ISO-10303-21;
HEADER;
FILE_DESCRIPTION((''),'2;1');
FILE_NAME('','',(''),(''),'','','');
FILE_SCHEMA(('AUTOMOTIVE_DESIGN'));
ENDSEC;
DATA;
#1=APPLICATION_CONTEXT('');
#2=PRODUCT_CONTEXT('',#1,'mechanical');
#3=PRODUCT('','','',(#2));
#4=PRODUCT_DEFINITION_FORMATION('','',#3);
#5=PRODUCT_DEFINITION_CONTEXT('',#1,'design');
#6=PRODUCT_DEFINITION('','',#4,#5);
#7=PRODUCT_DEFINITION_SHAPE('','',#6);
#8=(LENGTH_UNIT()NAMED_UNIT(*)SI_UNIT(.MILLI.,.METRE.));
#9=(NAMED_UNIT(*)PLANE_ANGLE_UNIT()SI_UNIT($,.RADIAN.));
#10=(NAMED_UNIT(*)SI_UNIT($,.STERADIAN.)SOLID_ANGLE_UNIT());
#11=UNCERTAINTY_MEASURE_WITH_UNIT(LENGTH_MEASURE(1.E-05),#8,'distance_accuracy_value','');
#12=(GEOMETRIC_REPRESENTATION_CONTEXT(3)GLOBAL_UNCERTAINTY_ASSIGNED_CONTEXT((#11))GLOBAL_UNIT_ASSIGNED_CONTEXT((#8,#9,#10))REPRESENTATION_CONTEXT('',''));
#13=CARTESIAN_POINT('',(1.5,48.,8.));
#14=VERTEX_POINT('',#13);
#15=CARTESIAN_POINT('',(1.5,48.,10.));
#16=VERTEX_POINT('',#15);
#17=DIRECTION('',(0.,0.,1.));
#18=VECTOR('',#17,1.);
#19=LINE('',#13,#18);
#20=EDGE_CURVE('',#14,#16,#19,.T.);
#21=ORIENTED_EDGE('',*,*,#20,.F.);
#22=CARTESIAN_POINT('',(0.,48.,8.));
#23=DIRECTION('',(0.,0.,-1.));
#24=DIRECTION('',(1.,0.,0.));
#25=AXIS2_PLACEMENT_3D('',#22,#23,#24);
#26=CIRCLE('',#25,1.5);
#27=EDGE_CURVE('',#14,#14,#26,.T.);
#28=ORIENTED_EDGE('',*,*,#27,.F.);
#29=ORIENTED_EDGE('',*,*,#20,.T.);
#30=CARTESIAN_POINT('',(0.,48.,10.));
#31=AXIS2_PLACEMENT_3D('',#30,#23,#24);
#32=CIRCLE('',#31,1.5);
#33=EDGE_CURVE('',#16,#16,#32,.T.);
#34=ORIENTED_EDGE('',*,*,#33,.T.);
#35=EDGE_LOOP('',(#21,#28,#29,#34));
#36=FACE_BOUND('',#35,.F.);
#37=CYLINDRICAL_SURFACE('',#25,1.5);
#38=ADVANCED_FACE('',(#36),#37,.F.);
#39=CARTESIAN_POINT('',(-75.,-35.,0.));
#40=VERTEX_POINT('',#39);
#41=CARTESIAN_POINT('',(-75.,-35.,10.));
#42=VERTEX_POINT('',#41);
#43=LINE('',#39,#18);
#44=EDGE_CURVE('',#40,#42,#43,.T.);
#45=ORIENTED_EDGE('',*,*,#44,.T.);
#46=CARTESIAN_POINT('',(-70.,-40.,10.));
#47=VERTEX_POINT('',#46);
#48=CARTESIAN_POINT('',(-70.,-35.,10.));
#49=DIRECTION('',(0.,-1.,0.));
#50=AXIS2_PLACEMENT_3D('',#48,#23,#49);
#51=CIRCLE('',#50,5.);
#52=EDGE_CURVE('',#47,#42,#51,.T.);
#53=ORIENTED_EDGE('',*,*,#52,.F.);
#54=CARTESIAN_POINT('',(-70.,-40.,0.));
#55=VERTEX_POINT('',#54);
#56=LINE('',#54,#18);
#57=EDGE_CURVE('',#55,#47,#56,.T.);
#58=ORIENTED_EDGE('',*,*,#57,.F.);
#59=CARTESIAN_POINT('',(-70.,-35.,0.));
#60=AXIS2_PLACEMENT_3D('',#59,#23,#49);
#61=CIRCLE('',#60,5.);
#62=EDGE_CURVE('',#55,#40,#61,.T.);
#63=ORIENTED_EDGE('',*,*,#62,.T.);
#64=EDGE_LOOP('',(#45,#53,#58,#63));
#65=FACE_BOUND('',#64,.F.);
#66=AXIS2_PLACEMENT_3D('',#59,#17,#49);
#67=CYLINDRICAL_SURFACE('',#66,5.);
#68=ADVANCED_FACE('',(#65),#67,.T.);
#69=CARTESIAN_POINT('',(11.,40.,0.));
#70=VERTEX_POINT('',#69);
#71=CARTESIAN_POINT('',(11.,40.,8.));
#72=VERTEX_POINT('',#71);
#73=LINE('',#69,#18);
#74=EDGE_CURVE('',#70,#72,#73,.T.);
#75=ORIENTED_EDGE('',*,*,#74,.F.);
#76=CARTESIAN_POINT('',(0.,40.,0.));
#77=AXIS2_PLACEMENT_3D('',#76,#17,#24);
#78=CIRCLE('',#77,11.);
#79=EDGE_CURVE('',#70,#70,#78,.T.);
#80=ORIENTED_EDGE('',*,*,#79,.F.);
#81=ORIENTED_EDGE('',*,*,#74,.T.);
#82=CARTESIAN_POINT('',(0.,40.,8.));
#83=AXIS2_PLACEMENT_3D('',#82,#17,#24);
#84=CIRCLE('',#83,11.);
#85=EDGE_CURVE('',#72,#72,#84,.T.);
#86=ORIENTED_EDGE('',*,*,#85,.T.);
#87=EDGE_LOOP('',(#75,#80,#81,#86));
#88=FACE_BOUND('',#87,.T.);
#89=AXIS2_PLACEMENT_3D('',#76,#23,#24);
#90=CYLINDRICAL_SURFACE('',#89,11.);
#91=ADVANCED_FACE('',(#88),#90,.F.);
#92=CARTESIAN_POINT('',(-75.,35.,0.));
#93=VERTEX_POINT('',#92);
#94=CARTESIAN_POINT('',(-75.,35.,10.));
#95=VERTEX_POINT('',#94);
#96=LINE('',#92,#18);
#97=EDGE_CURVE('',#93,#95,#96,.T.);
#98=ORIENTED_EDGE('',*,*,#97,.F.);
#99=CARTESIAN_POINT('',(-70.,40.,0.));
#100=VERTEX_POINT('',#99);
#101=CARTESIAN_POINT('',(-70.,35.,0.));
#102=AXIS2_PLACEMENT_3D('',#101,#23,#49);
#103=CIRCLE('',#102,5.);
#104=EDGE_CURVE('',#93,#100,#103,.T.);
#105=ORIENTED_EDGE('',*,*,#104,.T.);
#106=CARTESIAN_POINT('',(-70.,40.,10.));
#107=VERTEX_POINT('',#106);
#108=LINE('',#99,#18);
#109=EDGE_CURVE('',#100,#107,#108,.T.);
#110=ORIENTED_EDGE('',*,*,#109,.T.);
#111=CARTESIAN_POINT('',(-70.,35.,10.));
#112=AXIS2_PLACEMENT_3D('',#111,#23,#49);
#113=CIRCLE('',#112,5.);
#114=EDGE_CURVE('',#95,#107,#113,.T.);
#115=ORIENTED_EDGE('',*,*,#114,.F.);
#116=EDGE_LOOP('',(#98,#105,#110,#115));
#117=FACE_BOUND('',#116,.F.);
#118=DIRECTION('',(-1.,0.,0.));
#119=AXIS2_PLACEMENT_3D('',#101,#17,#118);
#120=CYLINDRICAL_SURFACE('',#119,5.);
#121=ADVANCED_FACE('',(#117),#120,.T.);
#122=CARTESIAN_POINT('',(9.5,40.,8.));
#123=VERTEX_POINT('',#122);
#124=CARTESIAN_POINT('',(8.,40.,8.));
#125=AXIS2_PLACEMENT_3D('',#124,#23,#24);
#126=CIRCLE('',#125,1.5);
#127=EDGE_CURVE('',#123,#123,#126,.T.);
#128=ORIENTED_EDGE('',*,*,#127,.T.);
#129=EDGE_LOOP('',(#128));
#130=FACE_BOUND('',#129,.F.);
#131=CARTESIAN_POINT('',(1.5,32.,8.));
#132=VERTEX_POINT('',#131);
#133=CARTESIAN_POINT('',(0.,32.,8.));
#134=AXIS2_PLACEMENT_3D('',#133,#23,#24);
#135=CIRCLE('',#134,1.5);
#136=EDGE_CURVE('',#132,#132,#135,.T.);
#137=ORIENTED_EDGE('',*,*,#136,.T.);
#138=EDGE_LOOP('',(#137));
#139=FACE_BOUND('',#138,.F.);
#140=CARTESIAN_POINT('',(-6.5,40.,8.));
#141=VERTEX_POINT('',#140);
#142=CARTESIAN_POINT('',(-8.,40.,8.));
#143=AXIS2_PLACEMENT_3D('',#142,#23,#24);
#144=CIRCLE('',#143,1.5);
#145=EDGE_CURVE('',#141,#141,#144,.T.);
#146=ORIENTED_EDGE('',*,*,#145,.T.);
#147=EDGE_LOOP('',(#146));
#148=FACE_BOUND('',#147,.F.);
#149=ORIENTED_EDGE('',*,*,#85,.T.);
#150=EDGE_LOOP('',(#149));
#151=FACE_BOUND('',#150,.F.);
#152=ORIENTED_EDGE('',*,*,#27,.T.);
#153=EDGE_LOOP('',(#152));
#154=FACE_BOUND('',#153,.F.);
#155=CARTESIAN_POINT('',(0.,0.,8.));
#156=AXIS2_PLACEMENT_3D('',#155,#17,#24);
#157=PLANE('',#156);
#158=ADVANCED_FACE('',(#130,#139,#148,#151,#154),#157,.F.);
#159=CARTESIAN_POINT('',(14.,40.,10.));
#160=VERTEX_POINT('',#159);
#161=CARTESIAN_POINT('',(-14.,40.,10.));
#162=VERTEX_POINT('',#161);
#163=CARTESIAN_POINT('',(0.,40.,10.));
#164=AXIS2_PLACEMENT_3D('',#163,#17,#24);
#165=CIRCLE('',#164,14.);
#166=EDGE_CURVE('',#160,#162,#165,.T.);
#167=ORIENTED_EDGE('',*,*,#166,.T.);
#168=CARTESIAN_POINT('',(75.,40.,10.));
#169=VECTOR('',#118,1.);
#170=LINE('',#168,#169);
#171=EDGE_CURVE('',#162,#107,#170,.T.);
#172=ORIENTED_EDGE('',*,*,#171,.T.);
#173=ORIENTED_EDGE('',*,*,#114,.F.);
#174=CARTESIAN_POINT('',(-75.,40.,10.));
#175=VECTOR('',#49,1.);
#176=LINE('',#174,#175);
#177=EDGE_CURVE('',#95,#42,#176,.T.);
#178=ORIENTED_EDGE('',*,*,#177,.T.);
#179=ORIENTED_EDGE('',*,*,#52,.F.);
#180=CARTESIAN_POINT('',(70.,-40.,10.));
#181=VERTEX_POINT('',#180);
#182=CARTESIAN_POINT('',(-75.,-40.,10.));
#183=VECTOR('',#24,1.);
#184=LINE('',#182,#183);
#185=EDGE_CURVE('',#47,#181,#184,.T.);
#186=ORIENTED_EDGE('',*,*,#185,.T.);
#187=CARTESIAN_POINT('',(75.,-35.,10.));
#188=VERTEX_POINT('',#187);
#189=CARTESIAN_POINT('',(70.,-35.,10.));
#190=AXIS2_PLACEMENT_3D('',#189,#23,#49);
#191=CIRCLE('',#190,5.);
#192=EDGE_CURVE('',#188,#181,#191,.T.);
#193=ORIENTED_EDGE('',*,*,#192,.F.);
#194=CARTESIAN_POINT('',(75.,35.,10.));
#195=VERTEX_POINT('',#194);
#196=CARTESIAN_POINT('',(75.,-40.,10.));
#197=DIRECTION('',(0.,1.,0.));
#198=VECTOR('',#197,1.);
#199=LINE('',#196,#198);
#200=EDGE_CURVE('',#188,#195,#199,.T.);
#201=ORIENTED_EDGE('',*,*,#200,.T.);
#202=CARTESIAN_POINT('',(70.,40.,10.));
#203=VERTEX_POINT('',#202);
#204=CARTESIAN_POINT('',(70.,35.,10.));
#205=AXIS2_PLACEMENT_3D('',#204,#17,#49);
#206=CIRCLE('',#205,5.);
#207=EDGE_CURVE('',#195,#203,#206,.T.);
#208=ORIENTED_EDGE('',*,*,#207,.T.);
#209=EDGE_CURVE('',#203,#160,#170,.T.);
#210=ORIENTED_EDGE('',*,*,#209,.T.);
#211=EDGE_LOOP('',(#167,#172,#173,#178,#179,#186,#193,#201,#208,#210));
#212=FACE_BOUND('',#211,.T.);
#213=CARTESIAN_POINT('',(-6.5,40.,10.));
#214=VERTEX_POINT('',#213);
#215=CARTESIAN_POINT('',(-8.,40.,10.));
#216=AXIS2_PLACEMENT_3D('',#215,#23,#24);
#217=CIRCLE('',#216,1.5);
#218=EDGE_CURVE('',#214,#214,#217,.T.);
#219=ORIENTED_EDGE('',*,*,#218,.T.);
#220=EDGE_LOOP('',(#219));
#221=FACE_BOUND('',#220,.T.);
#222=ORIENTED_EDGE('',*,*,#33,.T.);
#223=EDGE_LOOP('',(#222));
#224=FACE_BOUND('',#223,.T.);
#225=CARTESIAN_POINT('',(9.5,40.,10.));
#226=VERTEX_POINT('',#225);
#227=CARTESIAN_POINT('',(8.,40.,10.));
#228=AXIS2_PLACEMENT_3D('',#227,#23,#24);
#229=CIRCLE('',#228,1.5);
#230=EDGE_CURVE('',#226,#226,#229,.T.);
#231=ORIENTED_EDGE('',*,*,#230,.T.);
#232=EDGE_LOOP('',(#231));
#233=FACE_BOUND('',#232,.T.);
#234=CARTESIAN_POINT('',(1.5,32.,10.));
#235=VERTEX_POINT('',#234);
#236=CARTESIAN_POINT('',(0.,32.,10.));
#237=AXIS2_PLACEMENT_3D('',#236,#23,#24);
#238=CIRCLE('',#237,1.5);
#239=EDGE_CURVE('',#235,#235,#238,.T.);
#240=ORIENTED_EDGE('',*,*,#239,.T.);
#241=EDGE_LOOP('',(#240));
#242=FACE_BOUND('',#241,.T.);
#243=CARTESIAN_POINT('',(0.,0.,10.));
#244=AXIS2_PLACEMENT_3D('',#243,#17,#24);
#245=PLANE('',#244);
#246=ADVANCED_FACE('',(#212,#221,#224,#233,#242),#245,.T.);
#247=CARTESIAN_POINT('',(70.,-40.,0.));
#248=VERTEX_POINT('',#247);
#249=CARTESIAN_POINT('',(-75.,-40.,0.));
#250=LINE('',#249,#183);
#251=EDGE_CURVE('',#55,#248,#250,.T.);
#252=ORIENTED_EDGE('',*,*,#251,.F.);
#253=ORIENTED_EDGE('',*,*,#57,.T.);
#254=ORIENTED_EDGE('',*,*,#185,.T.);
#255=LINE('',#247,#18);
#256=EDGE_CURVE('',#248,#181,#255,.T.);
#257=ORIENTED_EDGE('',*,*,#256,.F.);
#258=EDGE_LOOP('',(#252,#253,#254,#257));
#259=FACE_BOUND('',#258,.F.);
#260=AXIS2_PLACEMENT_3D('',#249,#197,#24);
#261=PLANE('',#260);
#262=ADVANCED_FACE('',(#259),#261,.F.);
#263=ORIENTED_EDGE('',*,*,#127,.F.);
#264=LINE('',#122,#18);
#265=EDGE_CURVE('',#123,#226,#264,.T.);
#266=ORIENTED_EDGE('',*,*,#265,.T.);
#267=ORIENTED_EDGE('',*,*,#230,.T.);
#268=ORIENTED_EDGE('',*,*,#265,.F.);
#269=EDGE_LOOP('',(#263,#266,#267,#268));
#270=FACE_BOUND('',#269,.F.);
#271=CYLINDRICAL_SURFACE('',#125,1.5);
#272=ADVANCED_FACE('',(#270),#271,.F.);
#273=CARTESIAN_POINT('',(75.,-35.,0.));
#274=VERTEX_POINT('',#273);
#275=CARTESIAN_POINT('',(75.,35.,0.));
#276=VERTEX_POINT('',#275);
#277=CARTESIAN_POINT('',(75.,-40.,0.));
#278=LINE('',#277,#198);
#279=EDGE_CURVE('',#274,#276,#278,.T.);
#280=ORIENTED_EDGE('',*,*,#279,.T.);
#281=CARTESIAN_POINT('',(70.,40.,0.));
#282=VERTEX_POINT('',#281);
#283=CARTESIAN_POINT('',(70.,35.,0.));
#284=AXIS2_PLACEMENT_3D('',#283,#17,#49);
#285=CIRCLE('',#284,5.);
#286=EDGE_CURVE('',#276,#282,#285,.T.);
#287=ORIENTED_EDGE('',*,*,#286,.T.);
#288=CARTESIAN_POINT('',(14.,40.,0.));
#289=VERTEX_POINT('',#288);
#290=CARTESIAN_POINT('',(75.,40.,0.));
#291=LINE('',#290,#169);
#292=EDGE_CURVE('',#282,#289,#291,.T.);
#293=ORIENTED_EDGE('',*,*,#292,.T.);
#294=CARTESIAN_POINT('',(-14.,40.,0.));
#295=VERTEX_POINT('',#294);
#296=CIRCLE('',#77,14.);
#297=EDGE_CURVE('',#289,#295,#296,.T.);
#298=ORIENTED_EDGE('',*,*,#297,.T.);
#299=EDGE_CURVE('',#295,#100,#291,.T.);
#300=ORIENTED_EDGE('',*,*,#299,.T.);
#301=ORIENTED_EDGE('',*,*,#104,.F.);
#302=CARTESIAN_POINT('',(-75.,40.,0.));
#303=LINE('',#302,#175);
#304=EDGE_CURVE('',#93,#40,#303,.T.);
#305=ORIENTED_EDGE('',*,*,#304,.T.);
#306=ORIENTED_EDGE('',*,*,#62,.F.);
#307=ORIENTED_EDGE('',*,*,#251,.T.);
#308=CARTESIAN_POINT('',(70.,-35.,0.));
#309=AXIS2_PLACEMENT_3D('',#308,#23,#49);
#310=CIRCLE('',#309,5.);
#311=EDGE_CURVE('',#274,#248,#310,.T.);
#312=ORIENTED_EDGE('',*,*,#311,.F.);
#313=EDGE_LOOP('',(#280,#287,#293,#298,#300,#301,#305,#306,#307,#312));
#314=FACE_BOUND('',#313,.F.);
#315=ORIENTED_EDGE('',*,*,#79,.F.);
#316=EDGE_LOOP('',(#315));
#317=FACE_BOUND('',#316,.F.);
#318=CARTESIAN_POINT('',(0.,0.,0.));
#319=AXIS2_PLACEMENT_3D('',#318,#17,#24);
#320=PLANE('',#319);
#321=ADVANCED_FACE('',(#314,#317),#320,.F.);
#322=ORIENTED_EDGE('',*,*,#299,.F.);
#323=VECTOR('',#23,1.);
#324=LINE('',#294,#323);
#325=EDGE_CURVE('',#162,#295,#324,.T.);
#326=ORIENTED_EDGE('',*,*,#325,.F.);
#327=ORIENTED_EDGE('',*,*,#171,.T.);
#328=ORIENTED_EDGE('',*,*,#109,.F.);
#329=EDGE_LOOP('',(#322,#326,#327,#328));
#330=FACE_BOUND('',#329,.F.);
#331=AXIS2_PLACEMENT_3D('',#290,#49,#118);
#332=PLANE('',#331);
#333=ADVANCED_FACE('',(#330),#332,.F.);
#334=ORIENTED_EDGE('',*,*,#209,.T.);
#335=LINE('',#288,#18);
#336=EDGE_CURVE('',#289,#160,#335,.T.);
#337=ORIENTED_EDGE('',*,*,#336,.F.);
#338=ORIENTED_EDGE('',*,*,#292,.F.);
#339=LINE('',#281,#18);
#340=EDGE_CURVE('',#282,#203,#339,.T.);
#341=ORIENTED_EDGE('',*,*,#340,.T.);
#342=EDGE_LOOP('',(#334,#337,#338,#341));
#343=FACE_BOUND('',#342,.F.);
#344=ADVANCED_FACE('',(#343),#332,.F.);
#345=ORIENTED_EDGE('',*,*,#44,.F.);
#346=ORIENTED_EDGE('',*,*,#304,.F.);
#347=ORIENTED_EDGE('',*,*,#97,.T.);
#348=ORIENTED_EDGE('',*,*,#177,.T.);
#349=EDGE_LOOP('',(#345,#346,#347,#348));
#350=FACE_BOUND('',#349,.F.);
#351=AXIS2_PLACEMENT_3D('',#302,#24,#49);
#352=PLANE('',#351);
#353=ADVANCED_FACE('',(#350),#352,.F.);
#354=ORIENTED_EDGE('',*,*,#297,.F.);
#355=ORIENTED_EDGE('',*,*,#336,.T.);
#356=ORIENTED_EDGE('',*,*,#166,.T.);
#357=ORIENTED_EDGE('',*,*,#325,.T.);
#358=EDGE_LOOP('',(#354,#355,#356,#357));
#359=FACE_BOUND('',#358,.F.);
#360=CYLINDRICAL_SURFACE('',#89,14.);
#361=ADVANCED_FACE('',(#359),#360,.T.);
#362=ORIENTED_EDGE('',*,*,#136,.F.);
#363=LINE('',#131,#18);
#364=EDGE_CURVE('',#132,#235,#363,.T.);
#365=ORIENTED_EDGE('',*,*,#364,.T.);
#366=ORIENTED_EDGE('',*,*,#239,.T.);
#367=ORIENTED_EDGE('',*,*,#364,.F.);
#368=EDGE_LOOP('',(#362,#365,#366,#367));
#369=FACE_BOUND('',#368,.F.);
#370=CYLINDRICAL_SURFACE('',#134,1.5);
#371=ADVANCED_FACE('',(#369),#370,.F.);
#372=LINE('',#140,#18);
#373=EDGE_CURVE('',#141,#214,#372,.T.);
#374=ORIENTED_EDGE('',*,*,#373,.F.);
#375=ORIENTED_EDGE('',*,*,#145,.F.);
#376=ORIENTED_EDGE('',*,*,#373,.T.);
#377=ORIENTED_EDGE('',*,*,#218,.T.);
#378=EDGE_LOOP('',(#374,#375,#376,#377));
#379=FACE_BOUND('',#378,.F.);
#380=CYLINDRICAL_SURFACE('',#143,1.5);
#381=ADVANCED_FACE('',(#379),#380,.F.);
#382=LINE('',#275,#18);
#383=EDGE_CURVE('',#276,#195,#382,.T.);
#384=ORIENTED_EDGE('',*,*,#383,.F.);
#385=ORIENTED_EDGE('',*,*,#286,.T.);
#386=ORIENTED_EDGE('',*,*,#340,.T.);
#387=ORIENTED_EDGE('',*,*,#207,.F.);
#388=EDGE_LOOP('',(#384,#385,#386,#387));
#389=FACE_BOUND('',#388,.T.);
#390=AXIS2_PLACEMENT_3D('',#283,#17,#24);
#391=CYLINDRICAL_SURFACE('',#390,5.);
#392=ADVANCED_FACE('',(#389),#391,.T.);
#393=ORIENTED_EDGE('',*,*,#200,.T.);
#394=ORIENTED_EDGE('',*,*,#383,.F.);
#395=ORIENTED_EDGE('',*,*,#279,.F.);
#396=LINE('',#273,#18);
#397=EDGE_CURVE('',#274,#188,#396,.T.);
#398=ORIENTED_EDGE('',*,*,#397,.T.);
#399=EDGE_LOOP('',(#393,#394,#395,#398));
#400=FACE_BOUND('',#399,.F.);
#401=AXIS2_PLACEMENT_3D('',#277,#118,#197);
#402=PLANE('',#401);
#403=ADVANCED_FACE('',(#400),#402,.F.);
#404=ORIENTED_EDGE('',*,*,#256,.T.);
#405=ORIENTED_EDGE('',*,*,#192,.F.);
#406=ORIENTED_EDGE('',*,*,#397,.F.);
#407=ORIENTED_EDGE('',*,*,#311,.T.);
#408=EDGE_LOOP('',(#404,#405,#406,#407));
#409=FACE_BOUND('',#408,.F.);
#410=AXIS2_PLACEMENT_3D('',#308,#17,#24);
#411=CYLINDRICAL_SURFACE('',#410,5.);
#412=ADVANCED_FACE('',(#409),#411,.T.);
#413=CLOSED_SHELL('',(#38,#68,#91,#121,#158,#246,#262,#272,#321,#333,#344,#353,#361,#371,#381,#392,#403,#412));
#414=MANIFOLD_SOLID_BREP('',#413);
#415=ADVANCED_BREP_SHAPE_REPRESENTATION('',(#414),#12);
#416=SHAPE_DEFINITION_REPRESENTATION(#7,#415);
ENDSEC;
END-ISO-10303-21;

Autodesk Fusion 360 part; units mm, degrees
sketch "Sketch1" plane through (0, 0, 0) normal (0, 0, 1) x (1, 0, 0)
  line L0 (75, 40) -> (-75, 40)
  line L1 (-75, 40) -> (-75, -40)
  line L2 (-75, -40) -> (75, -40)
  line L3 (75, -40) -> (75, 40)
  line L4 (75, 40) -> (-75, -40) construction
  line L5 (-75, 40) -> (75, -40) construction
  dimension "d1" = 150
  dimension "d2" = 80
extrude "Extrude1" add sketch "Sketch1" along normal blind 10
sketch "Sketch2" plane through (0, 0, 0) normal (0, 0, 1) x (1, 0, 0)
  circle A0 centre (0, 40) radius 14
  dimension "d10" = 28
extrude "Extrude2" add sketch "Sketch2" along normal blind 10
sketch "Sketch3" plane through (0, 0, 0) normal (0, 0, 1) x (1, 0, 0)
  circle A0 centre (0, 40) radius 11
  dimension "d7" = 22
extrude "Extrude3" cut sketch "Sketch3" along normal blind 8
fillet "Fillet1" radius 5 4 edges at (75, -40, 5) (75, 40, 5) (-75, -40, 5) (-75, 40, 5)
sketch "Sketch4" plane through (0, 0, 8) normal (0, 0, -1) x (1, 0, 0)
  circle A0 centre (0, -32) radius 1.5
  circle A1 centre (0, -48) radius 1.5
  circle A2 centre (-8, -40) radius 1.5
  circle A3 centre (8, -40) radius 1.5
  circle A4 centre (0, -40) radius 11
  dimension "d13" = 3
  dimension "d14" = 3
  dimension "d15" = 3
  dimension "d16" = 3
extrude "Extrude4" cut sketch "Sketch4" against normal blind 2 contours A0 | A1 | A2 | A3
